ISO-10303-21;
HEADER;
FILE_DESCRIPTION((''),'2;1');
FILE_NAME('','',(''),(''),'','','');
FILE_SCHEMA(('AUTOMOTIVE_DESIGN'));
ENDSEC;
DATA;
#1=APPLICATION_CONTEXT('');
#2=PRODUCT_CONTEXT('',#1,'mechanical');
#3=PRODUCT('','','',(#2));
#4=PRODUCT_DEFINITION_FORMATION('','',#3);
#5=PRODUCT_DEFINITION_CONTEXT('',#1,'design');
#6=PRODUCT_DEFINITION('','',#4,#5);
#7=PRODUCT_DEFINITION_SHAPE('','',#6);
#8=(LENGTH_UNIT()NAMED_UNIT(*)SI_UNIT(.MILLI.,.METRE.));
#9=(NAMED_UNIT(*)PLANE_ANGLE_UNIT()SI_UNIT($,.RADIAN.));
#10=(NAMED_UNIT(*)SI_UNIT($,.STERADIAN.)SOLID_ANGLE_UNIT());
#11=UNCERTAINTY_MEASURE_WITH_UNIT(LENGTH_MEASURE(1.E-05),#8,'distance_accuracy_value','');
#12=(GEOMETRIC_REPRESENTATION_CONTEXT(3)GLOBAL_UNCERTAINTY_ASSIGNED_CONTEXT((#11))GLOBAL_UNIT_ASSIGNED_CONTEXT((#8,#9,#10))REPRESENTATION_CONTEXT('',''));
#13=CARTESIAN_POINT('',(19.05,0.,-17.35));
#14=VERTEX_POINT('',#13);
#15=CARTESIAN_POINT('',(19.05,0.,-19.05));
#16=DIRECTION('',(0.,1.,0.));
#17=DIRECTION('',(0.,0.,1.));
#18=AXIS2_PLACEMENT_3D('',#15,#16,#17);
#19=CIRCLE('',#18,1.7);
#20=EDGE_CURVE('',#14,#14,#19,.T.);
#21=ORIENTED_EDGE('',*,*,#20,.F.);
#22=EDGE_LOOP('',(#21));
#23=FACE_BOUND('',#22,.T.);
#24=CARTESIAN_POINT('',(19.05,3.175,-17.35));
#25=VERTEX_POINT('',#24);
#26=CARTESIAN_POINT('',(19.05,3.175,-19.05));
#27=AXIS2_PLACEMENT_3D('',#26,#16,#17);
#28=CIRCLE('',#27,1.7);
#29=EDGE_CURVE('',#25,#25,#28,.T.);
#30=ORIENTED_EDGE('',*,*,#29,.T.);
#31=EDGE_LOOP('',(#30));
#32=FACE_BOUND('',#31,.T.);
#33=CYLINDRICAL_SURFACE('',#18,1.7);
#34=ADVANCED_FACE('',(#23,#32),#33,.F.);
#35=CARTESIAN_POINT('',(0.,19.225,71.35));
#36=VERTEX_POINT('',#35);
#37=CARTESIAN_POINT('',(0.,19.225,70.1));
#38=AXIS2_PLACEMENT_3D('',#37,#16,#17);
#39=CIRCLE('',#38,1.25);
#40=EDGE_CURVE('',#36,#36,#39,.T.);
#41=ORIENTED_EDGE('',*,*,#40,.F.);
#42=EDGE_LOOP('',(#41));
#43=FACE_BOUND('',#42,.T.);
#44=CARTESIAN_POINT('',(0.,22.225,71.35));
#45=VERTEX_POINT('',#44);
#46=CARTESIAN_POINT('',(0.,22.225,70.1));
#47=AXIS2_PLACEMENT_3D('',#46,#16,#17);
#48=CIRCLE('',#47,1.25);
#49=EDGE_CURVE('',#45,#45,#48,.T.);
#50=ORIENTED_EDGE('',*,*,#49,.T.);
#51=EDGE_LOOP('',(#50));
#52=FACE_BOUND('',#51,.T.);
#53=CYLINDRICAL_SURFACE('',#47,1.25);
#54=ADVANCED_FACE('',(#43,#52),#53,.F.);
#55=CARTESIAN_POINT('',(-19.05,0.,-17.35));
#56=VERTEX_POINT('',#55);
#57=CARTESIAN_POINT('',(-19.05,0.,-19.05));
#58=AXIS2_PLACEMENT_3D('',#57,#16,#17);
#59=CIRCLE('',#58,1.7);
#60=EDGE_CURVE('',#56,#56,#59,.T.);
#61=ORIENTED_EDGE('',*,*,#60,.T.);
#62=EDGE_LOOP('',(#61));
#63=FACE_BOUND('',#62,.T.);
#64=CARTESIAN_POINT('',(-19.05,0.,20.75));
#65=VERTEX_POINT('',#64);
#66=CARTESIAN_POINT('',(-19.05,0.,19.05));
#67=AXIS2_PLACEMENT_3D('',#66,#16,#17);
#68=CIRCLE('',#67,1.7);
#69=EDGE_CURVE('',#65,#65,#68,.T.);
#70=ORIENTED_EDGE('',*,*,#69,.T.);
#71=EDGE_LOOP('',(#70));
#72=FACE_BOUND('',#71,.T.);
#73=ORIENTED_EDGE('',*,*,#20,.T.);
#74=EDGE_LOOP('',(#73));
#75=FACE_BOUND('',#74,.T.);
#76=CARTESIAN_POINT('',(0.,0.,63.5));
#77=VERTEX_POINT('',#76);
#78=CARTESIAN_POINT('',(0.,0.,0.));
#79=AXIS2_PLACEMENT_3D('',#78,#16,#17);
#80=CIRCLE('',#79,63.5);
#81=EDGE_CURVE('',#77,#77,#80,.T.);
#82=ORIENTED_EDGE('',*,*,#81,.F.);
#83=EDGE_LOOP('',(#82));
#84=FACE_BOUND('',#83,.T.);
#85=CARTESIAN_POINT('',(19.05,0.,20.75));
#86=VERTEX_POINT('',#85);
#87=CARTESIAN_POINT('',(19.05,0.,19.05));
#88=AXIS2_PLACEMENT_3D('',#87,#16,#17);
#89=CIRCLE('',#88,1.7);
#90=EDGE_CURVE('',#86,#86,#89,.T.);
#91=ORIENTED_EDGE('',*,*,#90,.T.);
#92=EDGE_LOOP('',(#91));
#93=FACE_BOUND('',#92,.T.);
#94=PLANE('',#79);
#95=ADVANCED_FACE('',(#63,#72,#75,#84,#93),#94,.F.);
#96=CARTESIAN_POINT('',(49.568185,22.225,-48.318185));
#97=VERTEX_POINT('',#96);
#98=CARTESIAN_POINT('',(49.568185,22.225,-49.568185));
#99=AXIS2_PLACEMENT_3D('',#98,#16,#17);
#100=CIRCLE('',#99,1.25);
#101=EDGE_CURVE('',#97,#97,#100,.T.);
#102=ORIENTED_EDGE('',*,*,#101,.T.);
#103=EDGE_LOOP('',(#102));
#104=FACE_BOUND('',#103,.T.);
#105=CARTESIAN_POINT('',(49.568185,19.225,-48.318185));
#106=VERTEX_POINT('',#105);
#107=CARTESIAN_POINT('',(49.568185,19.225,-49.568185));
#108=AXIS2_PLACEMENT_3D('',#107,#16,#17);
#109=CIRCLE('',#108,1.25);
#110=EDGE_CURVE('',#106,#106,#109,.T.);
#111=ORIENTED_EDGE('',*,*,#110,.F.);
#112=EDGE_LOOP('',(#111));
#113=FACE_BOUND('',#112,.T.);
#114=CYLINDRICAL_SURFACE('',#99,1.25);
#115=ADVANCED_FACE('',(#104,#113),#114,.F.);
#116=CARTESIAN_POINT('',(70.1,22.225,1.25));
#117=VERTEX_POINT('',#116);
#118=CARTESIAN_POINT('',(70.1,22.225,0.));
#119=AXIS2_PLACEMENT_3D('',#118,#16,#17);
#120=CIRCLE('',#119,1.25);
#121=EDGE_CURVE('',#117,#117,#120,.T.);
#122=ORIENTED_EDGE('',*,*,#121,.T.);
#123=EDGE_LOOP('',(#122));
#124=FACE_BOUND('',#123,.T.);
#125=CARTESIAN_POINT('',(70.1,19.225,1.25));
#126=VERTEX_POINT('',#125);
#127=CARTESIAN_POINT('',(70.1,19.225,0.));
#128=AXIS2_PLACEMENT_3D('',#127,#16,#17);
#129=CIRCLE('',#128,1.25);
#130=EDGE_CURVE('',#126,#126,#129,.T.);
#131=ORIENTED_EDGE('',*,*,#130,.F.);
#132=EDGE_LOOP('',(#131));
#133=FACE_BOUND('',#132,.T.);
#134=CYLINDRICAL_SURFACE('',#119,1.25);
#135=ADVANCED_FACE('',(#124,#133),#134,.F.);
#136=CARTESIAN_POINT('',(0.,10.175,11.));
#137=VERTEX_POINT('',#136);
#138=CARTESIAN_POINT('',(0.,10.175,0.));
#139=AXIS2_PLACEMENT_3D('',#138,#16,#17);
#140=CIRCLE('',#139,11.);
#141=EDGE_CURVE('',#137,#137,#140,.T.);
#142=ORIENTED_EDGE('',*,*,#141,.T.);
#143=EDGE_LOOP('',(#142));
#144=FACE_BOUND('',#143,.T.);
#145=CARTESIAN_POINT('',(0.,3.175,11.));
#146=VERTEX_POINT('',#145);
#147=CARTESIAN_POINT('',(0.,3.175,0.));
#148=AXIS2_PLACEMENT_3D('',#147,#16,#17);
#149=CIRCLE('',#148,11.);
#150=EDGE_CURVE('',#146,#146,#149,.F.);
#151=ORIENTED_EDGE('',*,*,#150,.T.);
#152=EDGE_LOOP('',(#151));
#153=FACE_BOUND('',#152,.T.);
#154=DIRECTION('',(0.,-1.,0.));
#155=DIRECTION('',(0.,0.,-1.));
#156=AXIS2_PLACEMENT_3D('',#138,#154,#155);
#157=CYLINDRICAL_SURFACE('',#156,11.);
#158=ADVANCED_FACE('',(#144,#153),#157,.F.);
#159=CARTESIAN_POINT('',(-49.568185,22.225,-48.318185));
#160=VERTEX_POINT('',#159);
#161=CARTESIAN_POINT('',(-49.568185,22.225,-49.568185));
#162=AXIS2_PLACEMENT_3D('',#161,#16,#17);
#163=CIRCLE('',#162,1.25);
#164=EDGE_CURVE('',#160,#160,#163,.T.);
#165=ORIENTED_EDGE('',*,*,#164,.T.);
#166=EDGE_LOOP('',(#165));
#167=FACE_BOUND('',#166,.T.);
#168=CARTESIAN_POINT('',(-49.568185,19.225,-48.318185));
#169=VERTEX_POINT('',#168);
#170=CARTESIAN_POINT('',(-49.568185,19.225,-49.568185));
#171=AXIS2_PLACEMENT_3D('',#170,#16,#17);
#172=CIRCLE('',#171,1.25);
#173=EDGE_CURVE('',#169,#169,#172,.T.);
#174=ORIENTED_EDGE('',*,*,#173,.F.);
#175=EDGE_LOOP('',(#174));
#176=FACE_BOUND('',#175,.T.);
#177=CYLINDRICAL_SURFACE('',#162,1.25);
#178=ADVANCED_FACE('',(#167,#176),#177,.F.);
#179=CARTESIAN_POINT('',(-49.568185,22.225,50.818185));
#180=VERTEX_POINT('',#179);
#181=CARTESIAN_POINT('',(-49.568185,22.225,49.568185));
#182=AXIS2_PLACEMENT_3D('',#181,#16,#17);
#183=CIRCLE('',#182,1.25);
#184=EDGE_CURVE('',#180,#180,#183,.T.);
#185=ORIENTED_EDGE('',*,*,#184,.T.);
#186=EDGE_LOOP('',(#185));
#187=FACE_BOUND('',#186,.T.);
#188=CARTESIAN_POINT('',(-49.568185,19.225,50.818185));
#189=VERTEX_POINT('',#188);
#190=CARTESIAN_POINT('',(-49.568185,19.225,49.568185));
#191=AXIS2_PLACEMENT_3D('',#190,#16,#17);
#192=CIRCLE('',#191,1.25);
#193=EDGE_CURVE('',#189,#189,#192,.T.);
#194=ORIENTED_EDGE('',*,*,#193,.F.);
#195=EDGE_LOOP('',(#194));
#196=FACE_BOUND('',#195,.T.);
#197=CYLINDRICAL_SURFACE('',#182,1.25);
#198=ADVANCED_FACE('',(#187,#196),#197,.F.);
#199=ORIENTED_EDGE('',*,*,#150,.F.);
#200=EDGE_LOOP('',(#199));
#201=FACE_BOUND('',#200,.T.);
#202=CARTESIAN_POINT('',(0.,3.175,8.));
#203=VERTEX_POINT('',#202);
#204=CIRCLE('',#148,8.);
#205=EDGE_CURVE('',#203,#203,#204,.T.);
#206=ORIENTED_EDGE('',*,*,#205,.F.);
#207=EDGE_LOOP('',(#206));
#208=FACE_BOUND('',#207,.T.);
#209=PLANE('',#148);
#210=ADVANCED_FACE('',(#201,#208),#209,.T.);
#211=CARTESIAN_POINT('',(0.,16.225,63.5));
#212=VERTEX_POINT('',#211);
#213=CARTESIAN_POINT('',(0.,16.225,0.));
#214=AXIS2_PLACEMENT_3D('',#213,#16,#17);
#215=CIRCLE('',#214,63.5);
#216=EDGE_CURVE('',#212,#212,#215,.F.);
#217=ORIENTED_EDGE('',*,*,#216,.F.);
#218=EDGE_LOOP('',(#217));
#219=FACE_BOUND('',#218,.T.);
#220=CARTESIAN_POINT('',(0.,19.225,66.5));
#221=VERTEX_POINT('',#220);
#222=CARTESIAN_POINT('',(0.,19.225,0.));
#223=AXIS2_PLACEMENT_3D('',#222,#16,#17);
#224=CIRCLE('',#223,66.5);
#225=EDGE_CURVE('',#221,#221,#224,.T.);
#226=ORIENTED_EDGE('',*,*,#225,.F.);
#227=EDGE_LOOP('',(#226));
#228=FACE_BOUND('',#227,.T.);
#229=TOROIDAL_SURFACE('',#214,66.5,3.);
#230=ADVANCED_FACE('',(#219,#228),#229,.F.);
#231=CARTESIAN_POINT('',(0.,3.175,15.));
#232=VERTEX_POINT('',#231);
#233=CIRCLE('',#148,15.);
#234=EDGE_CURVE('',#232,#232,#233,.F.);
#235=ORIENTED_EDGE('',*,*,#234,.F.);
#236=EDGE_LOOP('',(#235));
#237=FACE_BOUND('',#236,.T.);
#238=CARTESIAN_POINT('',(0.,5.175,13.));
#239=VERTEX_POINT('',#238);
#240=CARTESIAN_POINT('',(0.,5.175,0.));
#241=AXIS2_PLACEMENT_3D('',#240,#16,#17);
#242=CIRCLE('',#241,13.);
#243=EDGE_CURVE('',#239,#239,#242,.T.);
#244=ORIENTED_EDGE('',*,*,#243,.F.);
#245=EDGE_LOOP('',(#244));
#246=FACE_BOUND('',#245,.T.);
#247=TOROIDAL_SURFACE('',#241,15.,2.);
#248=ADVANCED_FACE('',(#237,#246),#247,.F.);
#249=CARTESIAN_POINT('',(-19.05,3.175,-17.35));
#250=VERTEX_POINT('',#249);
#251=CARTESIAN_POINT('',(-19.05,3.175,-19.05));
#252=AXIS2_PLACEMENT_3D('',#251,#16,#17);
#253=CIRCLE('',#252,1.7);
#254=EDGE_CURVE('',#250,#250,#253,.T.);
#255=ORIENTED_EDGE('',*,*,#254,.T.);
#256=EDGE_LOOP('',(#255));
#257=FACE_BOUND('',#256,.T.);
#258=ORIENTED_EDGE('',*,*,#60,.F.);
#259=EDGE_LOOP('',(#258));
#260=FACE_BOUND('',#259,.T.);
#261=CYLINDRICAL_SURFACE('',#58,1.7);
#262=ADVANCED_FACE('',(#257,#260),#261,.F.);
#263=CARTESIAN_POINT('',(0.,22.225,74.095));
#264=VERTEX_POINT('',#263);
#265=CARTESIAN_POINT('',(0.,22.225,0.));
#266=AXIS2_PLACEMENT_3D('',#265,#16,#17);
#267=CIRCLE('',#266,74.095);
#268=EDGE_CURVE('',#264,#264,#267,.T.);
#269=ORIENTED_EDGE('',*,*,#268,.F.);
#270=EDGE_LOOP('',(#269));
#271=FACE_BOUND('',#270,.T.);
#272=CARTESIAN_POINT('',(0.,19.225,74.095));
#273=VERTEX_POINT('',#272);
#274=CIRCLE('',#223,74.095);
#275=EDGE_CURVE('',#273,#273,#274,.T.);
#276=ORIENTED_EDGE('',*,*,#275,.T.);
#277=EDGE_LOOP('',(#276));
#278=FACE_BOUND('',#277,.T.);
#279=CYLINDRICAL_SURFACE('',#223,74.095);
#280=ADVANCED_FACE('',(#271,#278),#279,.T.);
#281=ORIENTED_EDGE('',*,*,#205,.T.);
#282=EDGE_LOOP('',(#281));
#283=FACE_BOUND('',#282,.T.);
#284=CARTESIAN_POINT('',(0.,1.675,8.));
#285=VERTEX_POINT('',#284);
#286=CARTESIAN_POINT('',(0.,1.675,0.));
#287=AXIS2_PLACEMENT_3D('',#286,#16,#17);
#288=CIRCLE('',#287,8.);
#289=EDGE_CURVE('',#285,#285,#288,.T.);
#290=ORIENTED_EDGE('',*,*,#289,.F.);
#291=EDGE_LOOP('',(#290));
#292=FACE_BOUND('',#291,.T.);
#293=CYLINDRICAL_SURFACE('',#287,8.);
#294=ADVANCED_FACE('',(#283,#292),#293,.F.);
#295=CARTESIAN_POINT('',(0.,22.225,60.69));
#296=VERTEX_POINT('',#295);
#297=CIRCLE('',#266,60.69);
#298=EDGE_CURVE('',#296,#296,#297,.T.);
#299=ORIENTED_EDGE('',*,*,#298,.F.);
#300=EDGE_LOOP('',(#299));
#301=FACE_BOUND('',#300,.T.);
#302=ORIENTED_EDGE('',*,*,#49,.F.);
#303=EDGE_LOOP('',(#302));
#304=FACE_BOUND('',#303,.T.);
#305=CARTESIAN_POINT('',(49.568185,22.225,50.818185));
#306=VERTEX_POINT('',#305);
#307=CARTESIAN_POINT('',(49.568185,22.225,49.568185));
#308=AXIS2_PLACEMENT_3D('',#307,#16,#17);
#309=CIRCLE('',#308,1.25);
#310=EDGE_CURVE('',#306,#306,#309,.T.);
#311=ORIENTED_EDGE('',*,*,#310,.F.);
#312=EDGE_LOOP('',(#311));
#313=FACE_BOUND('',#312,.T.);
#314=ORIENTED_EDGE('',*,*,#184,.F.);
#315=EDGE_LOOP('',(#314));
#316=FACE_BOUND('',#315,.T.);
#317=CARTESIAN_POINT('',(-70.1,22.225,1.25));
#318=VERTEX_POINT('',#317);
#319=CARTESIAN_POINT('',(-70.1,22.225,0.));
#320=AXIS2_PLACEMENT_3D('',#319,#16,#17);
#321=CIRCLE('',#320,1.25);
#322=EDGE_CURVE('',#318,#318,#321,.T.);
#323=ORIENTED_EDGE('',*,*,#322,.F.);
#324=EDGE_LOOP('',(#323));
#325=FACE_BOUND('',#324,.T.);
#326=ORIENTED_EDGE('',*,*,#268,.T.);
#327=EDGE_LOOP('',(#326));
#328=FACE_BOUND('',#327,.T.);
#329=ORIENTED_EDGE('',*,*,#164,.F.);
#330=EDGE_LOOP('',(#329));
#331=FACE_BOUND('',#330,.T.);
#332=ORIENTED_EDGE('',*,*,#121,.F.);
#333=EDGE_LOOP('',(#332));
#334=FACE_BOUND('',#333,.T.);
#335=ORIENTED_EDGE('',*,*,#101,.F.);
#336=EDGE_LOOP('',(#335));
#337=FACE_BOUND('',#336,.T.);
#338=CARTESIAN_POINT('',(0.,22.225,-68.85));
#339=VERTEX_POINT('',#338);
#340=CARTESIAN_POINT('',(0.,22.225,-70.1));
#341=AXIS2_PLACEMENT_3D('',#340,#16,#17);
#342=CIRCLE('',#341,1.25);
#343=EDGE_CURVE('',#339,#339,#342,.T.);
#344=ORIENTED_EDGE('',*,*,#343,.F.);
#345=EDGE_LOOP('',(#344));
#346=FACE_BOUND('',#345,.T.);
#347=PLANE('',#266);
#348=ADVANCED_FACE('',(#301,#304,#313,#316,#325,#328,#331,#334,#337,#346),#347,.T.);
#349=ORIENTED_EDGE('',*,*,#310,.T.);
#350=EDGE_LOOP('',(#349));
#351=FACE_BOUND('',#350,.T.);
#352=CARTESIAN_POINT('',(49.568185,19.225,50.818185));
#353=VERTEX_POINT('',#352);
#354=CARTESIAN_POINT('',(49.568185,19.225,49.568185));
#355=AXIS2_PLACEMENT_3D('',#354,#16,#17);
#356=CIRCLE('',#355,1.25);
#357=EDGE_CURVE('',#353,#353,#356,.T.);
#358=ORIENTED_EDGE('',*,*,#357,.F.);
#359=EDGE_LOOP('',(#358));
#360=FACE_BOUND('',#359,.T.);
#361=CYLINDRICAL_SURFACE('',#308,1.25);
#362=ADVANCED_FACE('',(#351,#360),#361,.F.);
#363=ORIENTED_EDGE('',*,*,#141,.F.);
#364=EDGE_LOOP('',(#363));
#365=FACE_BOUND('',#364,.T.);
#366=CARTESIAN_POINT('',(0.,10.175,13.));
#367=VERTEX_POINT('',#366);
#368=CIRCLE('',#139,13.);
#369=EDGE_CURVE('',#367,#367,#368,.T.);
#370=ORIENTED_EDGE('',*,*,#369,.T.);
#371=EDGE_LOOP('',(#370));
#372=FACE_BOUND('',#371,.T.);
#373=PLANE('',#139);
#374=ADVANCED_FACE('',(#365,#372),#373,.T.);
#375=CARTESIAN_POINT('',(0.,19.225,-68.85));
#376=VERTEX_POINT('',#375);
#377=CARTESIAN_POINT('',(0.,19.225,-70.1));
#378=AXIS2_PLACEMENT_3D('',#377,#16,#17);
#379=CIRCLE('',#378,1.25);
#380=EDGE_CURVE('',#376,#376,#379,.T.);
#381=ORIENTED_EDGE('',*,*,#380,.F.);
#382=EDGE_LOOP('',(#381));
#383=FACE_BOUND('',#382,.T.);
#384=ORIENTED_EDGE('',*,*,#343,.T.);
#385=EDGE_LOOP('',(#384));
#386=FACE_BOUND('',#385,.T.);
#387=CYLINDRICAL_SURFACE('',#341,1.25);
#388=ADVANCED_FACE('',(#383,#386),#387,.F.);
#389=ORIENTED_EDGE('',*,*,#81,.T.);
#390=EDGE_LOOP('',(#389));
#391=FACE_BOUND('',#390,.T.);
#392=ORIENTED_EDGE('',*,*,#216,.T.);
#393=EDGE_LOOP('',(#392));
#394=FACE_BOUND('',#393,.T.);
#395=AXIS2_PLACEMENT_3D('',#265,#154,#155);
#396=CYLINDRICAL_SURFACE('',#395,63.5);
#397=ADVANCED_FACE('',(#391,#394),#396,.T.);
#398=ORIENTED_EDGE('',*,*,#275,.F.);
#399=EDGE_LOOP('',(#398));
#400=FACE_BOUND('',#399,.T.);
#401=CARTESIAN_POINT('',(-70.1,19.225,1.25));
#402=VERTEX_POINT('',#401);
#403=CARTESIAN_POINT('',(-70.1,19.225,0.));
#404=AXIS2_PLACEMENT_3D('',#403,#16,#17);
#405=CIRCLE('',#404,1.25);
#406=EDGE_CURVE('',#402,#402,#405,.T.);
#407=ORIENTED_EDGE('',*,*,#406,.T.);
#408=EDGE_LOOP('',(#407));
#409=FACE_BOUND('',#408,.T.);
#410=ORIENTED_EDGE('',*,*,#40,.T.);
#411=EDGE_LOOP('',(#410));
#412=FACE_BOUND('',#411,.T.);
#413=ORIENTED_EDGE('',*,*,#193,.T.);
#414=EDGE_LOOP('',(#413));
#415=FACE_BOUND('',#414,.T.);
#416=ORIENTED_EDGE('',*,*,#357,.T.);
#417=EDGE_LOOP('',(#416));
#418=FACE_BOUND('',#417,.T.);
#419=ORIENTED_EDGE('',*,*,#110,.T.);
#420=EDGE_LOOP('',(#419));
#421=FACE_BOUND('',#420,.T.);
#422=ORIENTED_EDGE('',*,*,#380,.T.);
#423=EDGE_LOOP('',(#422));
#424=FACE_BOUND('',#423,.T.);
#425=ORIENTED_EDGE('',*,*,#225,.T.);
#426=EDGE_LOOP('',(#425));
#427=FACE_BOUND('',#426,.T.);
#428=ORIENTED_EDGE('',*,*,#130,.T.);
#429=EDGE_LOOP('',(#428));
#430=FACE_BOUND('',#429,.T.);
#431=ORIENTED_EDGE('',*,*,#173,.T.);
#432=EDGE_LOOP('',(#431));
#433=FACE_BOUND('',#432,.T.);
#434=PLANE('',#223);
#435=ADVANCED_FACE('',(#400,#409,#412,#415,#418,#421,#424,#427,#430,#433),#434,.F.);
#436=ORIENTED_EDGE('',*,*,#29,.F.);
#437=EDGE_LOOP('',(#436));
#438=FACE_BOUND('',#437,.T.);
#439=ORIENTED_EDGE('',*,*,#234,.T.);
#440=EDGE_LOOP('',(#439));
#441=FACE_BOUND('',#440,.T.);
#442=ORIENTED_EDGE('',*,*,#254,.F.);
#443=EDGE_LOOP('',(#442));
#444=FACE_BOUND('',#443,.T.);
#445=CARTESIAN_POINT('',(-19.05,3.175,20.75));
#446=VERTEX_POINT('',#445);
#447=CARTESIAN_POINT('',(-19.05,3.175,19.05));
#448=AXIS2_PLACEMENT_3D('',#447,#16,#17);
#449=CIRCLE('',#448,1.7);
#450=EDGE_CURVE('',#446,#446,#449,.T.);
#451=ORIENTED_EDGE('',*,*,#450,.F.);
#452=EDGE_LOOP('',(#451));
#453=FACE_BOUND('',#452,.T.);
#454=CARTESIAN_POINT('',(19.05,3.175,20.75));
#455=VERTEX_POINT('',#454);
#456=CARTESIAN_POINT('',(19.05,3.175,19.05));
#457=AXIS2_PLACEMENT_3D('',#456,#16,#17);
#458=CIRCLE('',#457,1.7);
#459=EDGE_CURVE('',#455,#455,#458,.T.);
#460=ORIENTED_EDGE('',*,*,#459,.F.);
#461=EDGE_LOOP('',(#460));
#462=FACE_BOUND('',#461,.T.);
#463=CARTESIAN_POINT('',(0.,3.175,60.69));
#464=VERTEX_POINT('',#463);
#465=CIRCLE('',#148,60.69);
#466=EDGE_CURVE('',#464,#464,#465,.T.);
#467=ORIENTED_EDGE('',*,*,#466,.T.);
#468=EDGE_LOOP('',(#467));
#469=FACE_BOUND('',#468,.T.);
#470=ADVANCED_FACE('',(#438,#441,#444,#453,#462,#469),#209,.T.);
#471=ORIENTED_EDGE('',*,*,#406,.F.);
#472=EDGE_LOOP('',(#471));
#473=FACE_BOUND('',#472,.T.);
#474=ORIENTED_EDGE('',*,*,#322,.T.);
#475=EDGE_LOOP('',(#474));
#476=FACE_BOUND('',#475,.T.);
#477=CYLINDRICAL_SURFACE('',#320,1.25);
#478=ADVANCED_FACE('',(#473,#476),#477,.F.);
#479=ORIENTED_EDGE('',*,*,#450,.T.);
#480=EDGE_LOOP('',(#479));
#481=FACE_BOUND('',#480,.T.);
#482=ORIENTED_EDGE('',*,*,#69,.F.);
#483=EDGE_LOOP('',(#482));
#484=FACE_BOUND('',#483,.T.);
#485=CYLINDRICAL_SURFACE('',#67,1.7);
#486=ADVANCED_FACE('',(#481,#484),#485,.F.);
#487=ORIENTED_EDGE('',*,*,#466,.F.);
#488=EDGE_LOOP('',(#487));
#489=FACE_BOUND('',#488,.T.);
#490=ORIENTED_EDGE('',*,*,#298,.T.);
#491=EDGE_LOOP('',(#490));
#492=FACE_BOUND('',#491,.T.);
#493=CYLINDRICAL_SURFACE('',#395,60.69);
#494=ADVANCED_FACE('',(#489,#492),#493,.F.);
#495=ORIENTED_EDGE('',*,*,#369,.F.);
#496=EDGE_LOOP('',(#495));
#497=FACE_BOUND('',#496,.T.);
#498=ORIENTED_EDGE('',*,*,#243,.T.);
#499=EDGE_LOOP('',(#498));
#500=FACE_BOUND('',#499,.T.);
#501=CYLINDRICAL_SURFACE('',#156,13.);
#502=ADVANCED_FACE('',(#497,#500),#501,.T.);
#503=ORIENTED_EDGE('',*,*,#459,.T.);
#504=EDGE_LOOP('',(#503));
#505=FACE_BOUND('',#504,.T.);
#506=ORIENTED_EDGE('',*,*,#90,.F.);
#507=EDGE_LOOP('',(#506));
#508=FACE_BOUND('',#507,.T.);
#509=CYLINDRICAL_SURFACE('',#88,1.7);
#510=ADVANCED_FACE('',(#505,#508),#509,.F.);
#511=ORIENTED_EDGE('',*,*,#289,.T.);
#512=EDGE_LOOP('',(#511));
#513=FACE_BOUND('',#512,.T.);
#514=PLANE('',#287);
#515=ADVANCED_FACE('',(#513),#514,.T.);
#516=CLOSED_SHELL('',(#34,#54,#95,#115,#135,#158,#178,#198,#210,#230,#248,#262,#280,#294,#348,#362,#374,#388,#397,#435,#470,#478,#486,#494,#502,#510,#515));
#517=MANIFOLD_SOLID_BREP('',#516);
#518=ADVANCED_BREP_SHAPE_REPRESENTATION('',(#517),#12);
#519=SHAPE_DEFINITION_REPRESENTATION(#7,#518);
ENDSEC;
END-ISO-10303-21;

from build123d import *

# Parameters (mm, degrees)
SKETCH1_R             = 63.5
SKETCH1_R_2           = 60.690000065
BOSS_EXTRUDE1_DEPTH   = 22.225
SKETCH3_R             = 63.5
BOSS_EXTRUDE2_DEPTH   = 3.175
SKETCH8_R             = 13
SKETCH8_R_2           = 11
BOSS_EXTRUDE4_DEPTH   = 7
SKETCH10_R            = 74.095000033
SKETCH10_R_2          = 63.5
BOSS_EXTRUDE5_DEPTH   = 3
M3X0_5_TAPPED_HOLE1_D = 2.5
CIRPATTERN2_COUNT     = 8
SKETCH16_R            = 8
CUT_EXTRUDE1_DEPTH    = 1.5
FILLET1_R             = 2
FILLET2_R             = 3
SKETCH19_R            = 1.7
CUT_EXTRUDE2_DEPTH    = 4.175


with BuildPart() as part:
    # Sketch1 → Boss-Extrude1 (new body)
    with BuildSketch(Plane(origin=(0, 0, 0), x_dir=(1, 0, 0), z_dir=(0, 1, 0))):
        Circle(SKETCH1_R)
        Circle(SKETCH1_R_2, mode=Mode.SUBTRACT)
    extrude(amount=BOSS_EXTRUDE1_DEPTH)

    # Sketch3 → Boss-Extrude2 (add)
    with BuildSketch(Plane(origin=(0, 0, 0), x_dir=(1, 0, 0), z_dir=(0, 1, 0))):
        Circle(SKETCH3_R)
    extrude(amount=BOSS_EXTRUDE2_DEPTH)

    # Sketch8 → Boss-Extrude4 (add)
    with BuildSketch(Plane(origin=(0, 3.175, 0), x_dir=(1, 0, 0), z_dir=(0, 1, 0))):
        Circle(SKETCH8_R)
        Circle(SKETCH8_R_2, mode=Mode.SUBTRACT)
    extrude(amount=BOSS_EXTRUDE4_DEPTH)

    # Sketch10 → Boss-Extrude5 (add)
    with BuildSketch(Plane(origin=(0, 22.225, 0), x_dir=(1, 0, 0), z_dir=(0, 1, 0))):
        Circle(SKETCH10_R)
        Circle(SKETCH10_R_2, mode=Mode.SUBTRACT)
    extrude(amount=-BOSS_EXTRUDE5_DEPTH)

    # M3x0.5 Tapped Hole1 (through all)
    with Locations(Plane(origin=(0, 22.225, 0), x_dir=(1, 0, 0), z_dir=(0, 1, 0))):
        with Locations((-70.1, 0)):
            m3x0_5_tapped_hole1 = Hole(M3X0_5_TAPPED_HOLE1_D / 2)

    # CirPattern2: M3x0.5 Tapped Hole1 ×8 about axis
    cirpattern2_axis = Axis((0, 0, 0), (0, 1, 0))
    for i in range(1, CIRPATTERN2_COUNT):
        add(m3x0_5_tapped_hole1.rotate(cirpattern2_axis, i * 360 / CIRPATTERN2_COUNT), mode=Mode.SUBTRACT)

    # Sketch16 → Cut-Extrude1 (cut)
    with BuildSketch(Plane(origin=(0, 3.175, 0), x_dir=(1, 0, 0), z_dir=(0, 1, 0))):
        Circle(SKETCH16_R)
    extrude(amount=-CUT_EXTRUDE1_DEPTH, mode=Mode.SUBTRACT)

    # Fillet1
    fillet1_edges = [part.edges().sort_by_distance(p)[0] for p in [
        (-13, 3.175, 0),
    ]]
    fillet(fillet1_edges, radius=FILLET1_R)

    # Fillet2
    fillet2_edges = [part.edges().sort_by_distance(p)[0] for p in [
        (-63.5, 19.225, 0),
    ]]
    fillet(fillet2_edges, radius=FILLET2_R)

    # Sketch19 → Cut-Extrude2 (cut, through all)
    with BuildSketch(Plane(origin=(0, 3.175, 0), x_dir=(1, 0, 0), z_dir=(0, 1, 0))):
        with Locations((19.05, -19.05)):
            Circle(SKETCH19_R)
        with Locations((19.05, 19.05)):
            Circle(SKETCH19_R)
        with Locations((-19.05, -19.05)):
            Circle(SKETCH19_R)
        with Locations((-19.05, 19.05)):
            Circle(SKETCH19_R)
    extrude(amount=-CUT_EXTRUDE2_DEPTH, mode=Mode.SUBTRACT)


solid = part.part
